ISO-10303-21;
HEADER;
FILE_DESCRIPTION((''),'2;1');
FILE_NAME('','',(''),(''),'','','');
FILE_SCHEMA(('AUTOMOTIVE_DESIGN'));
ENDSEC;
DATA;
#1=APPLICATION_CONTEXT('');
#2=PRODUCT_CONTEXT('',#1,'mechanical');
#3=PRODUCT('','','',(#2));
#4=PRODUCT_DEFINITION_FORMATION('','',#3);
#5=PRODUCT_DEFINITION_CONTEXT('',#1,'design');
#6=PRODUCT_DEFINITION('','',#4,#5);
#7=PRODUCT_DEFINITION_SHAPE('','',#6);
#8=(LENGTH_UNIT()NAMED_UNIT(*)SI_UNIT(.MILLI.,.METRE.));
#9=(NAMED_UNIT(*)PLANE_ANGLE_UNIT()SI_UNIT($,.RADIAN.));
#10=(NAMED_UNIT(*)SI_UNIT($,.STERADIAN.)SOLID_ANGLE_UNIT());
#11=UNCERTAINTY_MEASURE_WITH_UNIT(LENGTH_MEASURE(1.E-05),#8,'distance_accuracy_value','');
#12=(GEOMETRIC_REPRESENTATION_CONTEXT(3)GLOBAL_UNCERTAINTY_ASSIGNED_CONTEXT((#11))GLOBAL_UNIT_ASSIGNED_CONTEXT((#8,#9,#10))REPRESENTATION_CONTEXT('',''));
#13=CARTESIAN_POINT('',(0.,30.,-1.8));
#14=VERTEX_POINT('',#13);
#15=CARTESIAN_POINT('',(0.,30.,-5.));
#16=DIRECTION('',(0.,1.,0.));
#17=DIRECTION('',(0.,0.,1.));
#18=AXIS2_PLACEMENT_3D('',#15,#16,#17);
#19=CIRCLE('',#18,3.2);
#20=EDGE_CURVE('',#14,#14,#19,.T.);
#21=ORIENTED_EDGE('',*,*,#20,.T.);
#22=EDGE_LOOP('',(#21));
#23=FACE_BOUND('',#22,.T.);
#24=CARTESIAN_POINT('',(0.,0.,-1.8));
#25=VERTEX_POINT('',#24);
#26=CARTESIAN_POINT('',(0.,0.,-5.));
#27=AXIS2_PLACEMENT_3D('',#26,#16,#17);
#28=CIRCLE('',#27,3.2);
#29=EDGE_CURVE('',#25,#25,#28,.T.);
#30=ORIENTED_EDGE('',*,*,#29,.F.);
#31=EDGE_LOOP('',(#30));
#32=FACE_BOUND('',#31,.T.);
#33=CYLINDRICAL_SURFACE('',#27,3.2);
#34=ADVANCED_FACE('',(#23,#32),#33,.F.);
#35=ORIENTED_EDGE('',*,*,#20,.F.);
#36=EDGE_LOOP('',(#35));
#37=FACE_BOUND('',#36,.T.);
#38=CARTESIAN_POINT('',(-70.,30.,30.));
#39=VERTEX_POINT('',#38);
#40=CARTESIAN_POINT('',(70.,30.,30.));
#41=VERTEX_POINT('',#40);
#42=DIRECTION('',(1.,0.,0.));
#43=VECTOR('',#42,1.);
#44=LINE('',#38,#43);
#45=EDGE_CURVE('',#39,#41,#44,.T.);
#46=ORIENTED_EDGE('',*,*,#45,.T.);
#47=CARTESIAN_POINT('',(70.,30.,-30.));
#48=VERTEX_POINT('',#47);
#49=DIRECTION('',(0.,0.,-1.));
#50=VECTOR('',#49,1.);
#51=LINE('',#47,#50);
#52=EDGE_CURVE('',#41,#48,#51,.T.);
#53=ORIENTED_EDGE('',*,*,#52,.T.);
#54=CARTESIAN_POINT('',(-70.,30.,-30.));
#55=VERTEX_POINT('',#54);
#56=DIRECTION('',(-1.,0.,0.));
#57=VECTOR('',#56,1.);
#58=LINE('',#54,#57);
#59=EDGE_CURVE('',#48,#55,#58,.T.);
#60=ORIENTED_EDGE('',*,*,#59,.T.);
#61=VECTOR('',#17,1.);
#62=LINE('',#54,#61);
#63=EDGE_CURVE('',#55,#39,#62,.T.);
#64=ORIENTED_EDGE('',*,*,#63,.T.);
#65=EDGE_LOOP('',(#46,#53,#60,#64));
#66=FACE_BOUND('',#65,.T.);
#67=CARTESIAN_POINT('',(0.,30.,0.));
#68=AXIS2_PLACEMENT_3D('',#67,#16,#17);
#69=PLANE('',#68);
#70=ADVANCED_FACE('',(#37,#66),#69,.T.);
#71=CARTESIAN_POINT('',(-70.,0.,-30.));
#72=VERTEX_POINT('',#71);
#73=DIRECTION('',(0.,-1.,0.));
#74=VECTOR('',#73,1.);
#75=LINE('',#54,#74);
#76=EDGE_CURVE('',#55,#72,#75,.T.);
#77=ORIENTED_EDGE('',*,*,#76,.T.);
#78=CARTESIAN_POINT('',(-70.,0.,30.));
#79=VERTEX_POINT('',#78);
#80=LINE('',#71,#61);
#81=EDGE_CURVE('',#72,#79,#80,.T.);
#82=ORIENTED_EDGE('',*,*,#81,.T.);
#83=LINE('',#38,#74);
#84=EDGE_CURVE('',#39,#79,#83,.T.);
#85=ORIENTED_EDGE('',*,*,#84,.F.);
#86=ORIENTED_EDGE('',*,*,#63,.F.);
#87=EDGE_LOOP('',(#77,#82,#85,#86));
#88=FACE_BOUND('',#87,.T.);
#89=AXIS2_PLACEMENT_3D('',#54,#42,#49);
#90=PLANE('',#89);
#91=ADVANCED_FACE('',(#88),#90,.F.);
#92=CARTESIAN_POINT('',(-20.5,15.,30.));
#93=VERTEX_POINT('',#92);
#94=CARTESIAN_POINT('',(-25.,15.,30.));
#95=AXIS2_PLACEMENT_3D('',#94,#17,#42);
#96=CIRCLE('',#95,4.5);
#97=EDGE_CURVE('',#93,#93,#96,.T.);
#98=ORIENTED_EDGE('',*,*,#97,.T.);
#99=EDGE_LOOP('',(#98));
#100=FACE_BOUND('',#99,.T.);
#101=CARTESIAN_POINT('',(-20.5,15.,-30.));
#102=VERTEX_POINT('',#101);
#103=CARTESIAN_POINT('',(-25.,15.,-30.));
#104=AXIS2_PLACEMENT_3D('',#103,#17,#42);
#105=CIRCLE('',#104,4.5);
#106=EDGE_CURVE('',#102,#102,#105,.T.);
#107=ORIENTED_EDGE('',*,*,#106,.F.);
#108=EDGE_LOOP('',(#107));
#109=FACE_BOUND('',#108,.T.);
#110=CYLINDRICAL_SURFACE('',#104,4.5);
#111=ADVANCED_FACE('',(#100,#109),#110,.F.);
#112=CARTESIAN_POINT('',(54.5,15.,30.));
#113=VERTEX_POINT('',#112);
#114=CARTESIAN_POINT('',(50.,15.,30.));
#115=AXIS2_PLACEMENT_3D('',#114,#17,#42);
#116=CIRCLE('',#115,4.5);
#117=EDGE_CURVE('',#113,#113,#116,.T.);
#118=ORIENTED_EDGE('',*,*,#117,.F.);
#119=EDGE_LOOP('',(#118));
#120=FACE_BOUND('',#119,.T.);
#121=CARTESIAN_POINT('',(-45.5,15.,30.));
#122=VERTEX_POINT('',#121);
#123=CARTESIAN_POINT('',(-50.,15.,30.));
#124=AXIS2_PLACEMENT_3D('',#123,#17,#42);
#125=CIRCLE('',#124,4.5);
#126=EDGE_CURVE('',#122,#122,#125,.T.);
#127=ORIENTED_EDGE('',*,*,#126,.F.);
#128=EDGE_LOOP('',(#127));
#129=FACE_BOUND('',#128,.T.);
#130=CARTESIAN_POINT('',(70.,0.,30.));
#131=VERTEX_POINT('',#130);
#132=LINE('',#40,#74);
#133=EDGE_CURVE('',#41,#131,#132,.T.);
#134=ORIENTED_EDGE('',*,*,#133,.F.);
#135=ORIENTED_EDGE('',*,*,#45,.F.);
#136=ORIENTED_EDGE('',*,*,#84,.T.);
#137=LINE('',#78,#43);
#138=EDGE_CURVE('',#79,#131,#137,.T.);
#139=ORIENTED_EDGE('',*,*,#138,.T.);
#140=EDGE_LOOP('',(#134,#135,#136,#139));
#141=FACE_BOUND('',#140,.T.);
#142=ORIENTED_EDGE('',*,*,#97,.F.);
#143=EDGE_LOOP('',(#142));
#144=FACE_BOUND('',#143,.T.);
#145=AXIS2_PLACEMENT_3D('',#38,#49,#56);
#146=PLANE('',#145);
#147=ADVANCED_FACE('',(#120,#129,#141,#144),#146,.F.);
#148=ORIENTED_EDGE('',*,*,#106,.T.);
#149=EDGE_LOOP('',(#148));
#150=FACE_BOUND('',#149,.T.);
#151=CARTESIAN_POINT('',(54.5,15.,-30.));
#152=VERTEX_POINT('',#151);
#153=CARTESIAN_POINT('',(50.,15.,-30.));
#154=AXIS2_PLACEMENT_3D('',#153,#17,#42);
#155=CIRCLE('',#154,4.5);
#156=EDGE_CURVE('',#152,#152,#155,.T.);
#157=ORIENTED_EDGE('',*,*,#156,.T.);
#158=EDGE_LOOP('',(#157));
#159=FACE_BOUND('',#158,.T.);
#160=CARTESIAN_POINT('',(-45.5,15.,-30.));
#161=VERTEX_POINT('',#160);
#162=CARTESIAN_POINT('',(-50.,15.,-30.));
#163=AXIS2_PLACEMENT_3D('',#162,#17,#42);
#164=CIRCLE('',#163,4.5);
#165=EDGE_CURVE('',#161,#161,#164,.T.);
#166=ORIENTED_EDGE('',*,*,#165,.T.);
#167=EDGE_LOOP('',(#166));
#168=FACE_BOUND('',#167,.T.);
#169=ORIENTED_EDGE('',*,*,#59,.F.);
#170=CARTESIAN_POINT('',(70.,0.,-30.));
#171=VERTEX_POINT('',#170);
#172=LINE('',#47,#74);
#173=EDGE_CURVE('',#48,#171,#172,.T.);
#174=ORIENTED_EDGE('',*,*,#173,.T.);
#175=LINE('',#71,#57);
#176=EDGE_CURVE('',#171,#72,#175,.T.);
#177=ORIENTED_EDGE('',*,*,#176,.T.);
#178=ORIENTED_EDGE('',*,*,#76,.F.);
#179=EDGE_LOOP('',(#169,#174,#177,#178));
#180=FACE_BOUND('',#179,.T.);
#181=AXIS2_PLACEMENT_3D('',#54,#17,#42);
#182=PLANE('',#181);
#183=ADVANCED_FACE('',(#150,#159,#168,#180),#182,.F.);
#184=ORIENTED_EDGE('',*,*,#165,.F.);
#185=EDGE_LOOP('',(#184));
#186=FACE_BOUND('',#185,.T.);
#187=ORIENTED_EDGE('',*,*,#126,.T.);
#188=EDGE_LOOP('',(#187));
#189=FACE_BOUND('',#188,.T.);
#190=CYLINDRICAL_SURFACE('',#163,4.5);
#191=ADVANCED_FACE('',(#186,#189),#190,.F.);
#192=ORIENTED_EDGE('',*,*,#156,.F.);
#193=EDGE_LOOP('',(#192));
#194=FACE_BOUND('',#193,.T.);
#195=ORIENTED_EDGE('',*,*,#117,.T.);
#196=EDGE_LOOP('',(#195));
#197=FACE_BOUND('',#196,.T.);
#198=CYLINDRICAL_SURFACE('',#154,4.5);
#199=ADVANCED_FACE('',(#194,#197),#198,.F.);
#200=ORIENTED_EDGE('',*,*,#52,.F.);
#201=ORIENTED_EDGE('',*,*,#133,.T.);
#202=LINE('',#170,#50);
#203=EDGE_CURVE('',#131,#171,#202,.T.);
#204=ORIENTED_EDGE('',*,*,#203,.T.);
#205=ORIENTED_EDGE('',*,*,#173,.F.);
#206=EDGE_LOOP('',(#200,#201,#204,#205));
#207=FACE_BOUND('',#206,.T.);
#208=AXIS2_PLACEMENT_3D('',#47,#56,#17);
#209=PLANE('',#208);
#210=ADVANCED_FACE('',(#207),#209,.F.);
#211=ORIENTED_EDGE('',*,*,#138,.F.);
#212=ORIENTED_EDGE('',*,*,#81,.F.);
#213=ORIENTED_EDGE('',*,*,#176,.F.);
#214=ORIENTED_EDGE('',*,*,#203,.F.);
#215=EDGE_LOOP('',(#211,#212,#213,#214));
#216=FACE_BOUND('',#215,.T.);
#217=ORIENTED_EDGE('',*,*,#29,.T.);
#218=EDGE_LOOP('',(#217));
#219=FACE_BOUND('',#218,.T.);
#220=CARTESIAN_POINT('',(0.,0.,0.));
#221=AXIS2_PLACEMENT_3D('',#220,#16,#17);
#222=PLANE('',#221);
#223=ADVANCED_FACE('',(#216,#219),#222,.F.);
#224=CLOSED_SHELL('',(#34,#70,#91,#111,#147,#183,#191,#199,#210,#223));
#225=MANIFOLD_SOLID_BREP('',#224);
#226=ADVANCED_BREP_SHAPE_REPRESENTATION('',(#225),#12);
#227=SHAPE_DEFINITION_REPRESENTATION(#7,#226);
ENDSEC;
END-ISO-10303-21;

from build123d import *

# Parameters (mm, degrees)
SKETCH1_W           = 140
SKETCH1_H           = 60
BOSS_EXTRUDE1_DEPTH = 30
SKETCH2_R           = 4.5
CUT_EXTRUDE1_DEPTH  = 60
SKETCH3_R           = 3.2
CUT_EXTRUDE2_DEPTH  = 30


with BuildPart() as part:
    # Sketch1 → Boss-Extrude1 (new body)
    with BuildSketch(Plane(origin=(0, 0, 0), x_dir=(1, 0, 0), z_dir=(0, 1, 0))):
        Rectangle(SKETCH1_W, SKETCH1_H)
    extrude(amount=BOSS_EXTRUDE1_DEPTH)

    # Sketch2 → Cut-Extrude1 (cut)
    with BuildSketch(Plane.XY.offset(30)):
        with Locations((50, 15)):
            Circle(SKETCH2_R)
        with Locations((-50, 15)):
            Circle(SKETCH2_R)
        with Locations((-25, 15)):
            Circle(SKETCH2_R)
    extrude(amount=-CUT_EXTRUDE1_DEPTH, mode=Mode.SUBTRACT)

    # Sketch3 → Cut-Extrude2 (cut)
    with BuildSketch(Plane(origin=(0, 30, 0), x_dir=(1, 0, 0), z_dir=(0, 1, 0))):
        with Locations(Location((0, 5, 0), (0, 0, 270))):
            Circle(SKETCH3_R)
    extrude(amount=-CUT_EXTRUDE2_DEPTH, mode=Mode.SUBTRACT)


solid = part.part
